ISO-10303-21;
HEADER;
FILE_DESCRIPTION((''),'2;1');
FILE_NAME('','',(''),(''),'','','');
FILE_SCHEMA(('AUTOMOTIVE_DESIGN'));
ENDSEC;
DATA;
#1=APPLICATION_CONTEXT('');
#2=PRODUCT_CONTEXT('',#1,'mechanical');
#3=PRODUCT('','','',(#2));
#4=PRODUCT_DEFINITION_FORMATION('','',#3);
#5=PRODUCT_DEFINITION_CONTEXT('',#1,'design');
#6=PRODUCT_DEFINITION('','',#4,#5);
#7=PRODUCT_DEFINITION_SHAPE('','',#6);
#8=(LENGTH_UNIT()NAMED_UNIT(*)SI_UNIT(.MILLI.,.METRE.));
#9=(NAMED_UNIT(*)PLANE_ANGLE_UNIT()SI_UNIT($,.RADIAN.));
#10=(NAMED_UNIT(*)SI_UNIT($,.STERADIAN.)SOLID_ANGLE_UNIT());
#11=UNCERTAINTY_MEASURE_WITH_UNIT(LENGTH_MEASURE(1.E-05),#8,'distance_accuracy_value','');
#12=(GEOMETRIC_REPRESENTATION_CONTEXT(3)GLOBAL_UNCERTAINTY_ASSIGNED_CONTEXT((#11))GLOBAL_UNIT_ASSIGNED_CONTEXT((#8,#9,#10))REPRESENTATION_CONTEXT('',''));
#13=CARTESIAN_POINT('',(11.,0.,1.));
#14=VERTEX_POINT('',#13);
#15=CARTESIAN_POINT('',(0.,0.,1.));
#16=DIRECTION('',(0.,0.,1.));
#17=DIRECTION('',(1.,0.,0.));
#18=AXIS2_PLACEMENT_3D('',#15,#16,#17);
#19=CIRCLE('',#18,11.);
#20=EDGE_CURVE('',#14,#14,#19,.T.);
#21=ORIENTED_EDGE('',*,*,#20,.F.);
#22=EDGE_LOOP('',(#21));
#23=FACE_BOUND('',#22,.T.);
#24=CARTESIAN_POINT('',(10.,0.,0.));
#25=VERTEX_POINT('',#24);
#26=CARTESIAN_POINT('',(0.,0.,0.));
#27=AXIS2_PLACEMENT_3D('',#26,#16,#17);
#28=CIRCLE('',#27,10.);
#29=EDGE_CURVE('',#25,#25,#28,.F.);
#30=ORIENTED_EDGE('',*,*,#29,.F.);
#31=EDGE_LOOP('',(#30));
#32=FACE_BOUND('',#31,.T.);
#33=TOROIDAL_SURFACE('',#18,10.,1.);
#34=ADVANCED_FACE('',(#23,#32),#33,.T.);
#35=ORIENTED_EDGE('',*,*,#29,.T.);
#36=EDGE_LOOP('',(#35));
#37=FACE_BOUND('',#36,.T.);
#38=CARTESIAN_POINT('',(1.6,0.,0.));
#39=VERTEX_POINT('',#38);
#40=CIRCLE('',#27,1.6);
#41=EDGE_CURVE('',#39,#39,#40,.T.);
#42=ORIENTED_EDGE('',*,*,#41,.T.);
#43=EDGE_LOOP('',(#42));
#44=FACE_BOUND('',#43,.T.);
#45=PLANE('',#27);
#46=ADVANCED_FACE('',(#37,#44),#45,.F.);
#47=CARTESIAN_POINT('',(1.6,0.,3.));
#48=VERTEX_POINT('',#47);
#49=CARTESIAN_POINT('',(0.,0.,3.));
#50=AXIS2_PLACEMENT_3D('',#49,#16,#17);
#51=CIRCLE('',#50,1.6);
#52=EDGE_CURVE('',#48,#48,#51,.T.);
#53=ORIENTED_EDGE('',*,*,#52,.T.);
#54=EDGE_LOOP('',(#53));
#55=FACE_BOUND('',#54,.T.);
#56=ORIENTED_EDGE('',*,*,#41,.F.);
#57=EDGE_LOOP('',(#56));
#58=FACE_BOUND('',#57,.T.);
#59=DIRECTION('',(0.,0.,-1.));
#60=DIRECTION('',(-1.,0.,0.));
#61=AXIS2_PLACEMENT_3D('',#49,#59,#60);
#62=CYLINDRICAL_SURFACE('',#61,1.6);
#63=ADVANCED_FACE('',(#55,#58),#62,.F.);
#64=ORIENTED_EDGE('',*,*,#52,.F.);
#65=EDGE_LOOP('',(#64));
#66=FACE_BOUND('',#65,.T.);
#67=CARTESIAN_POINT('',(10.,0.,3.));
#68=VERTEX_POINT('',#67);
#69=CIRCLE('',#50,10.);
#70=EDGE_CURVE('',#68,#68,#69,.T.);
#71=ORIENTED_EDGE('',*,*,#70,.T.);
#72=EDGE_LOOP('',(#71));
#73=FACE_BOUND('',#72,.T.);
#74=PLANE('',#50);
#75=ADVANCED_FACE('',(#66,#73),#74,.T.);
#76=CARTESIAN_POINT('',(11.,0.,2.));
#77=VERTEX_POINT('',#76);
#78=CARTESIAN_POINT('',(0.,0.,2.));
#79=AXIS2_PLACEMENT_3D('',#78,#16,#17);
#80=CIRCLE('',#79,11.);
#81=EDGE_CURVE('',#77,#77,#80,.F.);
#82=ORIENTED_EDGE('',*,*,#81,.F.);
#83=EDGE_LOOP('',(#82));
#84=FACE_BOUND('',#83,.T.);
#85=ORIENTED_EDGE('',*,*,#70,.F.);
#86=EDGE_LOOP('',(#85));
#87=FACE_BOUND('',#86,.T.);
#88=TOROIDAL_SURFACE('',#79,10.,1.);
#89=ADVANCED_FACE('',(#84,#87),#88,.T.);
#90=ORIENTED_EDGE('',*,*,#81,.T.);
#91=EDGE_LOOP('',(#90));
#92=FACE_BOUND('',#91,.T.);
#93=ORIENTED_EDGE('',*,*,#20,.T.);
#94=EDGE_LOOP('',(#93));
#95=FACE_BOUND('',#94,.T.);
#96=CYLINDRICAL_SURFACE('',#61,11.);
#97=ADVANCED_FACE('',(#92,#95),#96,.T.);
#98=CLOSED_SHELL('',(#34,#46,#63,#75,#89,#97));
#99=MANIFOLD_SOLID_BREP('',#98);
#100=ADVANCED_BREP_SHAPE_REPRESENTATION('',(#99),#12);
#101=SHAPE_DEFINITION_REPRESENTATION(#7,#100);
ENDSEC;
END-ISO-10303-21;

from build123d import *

# Parameters (mm, degrees)
SKETCH1_R           = 11
SKETCH1_R_2         = 1.6
BOSS_EXTRUDE1_DEPTH = 3
FILLET1_R           = 1


with BuildPart() as part:
    # Sketch1 → Boss-Extrude1 (new body)
    with BuildSketch(Plane.XY):
        Circle(SKETCH1_R)
        Circle(SKETCH1_R_2, mode=Mode.SUBTRACT)
    extrude(amount=BOSS_EXTRUDE1_DEPTH)

    # Fillet1
    fillet1_edges = [part.edges().sort_by_distance(p)[0] for p in [
        (-11, 0, 0),
        (-11, 0, 3),
    ]]
    fillet(fillet1_edges, radius=FILLET1_R)


solid = part.part
